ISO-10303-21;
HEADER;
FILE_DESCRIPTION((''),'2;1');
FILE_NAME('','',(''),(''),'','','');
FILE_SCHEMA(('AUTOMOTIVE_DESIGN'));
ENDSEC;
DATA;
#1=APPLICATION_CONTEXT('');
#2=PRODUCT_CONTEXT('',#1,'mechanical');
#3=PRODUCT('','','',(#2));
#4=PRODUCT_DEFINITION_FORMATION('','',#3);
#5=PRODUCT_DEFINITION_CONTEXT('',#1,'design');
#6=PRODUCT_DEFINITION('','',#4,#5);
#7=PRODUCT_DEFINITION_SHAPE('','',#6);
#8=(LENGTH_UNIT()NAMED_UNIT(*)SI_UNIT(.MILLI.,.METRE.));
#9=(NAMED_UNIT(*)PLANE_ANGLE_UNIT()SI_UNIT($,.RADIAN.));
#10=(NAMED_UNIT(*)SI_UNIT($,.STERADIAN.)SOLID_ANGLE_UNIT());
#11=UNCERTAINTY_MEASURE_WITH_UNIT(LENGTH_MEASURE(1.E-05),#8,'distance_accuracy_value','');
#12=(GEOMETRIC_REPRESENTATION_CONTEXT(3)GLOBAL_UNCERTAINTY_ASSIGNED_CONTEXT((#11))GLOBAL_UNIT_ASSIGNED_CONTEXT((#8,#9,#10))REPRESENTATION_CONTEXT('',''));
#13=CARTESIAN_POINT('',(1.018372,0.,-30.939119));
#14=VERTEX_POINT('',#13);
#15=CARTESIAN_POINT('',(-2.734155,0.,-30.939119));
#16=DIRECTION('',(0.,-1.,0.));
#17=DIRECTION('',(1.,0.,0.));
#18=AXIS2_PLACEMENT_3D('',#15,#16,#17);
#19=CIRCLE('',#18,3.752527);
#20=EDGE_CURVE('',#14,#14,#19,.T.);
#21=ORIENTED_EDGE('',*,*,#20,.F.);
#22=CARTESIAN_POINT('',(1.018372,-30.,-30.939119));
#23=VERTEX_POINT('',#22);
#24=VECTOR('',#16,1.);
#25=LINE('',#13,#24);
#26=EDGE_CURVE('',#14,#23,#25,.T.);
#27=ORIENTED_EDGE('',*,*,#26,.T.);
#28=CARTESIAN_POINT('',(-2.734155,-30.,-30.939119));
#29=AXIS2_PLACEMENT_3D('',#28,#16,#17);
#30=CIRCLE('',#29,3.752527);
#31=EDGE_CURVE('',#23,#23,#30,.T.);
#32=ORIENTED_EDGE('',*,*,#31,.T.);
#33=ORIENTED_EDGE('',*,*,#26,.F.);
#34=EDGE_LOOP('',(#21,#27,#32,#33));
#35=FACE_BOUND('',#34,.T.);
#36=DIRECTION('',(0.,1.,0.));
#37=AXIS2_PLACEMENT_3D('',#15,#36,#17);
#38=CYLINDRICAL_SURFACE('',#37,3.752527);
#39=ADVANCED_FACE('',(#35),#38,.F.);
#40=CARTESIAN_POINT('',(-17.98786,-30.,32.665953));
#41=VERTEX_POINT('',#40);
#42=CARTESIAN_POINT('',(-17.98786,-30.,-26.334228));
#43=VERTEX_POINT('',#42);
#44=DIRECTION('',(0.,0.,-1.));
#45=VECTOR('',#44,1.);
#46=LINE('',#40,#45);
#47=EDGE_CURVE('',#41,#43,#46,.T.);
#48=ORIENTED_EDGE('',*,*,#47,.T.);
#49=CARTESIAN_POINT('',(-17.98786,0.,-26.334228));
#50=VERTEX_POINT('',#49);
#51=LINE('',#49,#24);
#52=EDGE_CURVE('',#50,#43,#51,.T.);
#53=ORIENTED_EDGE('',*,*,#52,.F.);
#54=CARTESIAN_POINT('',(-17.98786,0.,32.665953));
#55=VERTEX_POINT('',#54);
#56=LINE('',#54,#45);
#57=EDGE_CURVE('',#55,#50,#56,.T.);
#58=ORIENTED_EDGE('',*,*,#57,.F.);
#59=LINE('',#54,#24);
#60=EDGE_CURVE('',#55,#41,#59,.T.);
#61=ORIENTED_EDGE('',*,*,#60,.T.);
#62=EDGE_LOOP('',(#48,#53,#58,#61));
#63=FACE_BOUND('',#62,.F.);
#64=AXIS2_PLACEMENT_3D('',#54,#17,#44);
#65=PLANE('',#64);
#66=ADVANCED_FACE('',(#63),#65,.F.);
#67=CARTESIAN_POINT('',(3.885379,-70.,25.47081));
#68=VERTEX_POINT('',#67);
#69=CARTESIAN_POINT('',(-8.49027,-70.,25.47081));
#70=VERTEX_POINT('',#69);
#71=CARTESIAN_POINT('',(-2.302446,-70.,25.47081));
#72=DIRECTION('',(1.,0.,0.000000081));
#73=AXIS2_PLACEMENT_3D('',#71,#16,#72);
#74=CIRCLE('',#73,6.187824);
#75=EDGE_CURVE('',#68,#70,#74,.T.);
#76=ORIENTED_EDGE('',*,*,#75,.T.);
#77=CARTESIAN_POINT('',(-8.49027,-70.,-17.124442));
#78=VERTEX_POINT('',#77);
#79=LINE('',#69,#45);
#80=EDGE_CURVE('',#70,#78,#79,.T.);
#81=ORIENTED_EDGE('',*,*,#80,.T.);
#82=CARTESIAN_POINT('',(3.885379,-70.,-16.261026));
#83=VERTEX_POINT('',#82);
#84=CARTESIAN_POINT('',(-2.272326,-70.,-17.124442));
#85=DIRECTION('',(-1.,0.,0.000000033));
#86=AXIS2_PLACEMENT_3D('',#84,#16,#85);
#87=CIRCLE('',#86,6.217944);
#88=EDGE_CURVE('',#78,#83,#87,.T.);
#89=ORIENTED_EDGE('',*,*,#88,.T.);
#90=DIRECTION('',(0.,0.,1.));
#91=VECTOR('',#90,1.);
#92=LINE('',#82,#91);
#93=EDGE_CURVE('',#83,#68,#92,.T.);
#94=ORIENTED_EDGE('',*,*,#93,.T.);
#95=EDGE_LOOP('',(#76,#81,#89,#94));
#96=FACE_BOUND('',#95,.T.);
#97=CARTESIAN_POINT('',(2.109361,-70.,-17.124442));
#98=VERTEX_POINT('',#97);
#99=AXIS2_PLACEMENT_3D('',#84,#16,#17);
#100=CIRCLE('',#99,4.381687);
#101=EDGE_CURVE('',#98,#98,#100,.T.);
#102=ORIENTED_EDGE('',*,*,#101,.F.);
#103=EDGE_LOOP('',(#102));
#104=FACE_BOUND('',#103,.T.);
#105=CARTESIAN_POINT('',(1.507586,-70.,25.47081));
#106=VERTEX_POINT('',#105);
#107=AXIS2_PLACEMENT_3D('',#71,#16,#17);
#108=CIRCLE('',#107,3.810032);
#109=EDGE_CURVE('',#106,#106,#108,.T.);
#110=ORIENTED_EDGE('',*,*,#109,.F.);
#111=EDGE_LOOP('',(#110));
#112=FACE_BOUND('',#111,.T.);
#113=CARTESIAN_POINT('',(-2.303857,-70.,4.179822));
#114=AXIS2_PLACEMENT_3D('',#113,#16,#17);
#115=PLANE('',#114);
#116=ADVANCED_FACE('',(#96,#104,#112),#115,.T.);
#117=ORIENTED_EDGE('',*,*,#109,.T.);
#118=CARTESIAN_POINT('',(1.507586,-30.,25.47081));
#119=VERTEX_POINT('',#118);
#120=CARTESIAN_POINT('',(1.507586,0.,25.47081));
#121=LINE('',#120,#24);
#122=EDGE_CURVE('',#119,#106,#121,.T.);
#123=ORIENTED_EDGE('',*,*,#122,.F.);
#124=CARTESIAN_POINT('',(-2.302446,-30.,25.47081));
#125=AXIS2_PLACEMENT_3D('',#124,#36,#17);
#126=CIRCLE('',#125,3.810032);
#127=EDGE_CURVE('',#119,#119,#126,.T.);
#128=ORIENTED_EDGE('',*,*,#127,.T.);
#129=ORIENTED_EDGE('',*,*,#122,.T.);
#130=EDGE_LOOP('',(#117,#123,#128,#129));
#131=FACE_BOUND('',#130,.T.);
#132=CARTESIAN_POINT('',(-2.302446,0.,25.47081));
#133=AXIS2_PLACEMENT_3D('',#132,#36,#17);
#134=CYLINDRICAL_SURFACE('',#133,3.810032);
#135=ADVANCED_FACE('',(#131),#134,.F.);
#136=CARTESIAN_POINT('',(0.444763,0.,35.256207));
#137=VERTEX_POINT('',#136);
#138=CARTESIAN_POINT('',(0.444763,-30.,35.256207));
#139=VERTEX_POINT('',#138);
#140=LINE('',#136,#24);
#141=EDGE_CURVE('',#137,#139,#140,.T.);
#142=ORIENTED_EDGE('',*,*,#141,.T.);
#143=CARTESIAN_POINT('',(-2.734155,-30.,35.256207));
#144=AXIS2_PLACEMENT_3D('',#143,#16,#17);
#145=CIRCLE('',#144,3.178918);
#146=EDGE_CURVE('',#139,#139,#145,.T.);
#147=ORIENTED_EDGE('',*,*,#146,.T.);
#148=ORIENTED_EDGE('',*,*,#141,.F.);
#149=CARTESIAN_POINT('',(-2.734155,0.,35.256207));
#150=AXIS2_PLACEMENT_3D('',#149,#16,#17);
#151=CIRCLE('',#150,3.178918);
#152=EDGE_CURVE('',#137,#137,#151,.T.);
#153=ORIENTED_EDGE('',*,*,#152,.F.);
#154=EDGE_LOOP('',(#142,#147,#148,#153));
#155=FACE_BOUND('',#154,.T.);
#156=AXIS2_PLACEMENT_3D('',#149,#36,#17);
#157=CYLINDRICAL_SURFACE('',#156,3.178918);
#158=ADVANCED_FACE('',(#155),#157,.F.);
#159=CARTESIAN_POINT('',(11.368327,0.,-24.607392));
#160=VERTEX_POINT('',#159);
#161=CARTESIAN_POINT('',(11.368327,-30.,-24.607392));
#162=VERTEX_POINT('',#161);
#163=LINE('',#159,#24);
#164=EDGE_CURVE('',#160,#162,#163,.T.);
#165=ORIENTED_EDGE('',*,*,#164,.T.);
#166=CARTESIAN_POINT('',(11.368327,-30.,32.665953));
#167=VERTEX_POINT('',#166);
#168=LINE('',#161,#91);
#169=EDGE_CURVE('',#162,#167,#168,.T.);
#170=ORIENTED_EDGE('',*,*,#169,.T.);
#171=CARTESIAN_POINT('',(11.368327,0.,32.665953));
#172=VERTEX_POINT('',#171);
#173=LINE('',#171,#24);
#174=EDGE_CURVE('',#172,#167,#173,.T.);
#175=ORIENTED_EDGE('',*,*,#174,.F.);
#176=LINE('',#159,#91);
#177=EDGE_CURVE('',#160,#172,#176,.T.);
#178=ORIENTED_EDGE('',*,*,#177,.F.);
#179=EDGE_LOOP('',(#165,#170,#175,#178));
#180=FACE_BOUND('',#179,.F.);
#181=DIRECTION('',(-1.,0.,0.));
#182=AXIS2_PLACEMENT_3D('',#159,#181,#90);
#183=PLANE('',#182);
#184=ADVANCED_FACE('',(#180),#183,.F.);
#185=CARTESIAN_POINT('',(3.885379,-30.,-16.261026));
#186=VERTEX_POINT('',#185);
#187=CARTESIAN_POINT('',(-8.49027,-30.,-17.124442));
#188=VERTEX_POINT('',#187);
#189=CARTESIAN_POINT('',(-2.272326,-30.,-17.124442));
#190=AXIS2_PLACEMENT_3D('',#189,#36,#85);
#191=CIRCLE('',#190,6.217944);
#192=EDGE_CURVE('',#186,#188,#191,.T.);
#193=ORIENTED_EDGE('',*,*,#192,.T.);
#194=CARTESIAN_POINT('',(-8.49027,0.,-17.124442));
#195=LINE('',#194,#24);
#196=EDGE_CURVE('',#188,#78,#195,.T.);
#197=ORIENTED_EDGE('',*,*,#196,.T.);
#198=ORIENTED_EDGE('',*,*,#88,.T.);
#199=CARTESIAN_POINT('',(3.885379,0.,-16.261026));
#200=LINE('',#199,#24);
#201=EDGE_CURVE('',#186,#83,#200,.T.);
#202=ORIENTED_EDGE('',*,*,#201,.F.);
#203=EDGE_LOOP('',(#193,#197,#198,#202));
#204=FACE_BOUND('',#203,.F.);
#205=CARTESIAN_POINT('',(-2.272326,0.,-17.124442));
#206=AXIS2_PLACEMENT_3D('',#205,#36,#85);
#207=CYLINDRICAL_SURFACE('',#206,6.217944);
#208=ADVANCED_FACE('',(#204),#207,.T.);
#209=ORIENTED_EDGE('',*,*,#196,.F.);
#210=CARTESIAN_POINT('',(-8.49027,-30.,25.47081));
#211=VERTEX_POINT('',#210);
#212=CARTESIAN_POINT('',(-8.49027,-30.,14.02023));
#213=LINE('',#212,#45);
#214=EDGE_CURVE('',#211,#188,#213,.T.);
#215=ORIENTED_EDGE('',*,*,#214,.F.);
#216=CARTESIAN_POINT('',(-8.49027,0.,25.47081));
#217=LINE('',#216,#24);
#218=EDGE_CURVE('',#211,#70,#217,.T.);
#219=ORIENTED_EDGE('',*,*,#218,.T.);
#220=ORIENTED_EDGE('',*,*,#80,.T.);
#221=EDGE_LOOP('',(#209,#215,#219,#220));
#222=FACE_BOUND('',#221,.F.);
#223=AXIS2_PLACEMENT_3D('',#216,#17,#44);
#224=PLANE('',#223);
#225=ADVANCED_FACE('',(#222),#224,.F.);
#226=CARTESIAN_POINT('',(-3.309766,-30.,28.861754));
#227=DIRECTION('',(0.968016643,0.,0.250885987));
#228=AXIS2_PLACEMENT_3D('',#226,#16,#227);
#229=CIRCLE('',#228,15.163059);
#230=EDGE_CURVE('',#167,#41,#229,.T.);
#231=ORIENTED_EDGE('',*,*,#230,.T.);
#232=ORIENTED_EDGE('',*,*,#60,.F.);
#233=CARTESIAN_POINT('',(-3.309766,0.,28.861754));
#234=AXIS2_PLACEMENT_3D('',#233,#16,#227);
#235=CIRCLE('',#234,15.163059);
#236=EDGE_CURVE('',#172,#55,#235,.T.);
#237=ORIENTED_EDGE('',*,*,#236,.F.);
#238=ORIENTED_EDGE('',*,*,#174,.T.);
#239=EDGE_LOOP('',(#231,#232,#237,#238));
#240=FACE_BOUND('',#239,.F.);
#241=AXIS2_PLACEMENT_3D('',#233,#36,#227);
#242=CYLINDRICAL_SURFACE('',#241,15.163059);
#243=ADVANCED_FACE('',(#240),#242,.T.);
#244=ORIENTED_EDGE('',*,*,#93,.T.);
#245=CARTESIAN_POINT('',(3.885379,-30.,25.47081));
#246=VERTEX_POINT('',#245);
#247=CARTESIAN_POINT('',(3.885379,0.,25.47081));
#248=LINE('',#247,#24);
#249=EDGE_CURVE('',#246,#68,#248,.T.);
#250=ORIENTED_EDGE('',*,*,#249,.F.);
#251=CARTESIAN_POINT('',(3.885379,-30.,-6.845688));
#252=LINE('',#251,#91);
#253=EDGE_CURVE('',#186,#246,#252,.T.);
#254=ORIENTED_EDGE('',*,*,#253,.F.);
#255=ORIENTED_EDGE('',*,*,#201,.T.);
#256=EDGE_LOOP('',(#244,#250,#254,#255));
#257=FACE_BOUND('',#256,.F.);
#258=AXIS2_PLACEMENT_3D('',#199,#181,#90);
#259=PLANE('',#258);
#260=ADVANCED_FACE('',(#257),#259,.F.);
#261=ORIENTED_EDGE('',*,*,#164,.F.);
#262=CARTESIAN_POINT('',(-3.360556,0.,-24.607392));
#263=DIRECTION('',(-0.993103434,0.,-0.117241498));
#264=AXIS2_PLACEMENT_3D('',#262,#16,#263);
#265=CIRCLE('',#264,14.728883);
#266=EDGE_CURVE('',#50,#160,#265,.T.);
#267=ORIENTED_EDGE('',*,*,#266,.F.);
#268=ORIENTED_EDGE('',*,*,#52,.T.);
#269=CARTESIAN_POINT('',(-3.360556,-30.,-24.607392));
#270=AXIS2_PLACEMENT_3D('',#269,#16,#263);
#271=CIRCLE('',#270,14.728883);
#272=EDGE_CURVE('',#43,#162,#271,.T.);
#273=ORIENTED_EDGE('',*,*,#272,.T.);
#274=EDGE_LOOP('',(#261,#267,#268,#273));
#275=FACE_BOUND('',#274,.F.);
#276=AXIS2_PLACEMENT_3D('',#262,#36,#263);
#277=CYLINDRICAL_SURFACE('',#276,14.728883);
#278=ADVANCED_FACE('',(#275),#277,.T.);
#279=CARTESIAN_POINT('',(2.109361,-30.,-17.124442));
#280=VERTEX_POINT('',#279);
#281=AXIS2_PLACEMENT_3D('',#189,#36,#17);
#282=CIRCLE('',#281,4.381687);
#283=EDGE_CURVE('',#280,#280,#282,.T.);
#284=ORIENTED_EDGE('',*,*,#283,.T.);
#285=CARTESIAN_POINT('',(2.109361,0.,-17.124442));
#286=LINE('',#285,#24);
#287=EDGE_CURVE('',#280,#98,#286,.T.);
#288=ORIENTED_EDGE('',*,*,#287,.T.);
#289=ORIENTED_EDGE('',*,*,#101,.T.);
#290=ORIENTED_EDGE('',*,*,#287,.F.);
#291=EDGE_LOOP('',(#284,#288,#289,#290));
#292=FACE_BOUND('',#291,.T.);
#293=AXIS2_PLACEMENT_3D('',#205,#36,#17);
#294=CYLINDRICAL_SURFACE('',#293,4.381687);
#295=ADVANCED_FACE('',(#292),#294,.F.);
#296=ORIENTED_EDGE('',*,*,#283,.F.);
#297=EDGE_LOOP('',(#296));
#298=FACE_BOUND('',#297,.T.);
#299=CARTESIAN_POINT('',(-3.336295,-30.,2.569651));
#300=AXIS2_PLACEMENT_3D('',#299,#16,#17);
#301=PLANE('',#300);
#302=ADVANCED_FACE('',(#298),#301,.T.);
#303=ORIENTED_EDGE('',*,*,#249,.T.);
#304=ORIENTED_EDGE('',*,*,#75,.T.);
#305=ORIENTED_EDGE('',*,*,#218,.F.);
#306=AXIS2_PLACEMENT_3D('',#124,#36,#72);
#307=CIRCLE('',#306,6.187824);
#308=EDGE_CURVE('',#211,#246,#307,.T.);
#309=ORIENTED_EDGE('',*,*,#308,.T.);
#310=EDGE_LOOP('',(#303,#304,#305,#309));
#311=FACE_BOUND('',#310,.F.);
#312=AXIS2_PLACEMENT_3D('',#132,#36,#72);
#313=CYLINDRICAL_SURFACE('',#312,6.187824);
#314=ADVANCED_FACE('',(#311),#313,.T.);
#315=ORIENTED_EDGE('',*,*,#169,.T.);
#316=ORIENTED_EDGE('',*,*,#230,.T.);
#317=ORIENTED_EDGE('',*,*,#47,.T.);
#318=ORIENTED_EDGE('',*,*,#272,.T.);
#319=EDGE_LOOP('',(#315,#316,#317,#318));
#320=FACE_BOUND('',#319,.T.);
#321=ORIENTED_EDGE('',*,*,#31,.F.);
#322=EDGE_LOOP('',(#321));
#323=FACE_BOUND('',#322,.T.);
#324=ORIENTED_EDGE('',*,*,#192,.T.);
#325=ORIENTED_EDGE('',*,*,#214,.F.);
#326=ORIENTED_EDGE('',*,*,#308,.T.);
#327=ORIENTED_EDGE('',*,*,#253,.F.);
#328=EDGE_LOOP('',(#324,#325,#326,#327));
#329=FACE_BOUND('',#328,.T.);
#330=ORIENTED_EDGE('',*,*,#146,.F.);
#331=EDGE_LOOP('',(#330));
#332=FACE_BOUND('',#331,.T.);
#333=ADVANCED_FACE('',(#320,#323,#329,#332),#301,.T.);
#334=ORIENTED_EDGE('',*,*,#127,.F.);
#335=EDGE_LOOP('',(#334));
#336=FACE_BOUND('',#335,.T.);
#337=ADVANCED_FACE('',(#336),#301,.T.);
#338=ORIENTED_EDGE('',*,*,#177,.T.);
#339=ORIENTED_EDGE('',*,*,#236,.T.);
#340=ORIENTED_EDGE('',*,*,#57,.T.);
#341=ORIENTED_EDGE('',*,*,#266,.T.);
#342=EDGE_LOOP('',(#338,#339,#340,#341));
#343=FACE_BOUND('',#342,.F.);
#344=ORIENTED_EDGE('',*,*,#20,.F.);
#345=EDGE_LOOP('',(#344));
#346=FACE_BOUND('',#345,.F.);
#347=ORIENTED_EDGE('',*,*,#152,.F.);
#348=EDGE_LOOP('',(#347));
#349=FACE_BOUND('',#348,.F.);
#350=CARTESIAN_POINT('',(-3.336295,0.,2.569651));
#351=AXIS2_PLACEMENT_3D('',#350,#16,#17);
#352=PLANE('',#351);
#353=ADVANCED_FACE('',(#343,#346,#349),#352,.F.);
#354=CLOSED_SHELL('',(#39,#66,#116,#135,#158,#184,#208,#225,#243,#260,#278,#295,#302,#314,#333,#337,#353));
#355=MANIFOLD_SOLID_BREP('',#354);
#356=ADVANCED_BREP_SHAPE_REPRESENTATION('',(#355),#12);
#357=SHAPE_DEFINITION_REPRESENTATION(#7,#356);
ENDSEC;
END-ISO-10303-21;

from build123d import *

# Parameters (mm, degrees)
F1_R     = 4.381687
F1_R_2   = 3.810032
F2_DEPTH = 70
F0_R     = 3.752527
F0_R_2   = 3.178918
F3_DEPTH = 30


with BuildPart() as f2:
    # F1 (on Front) → F2 (new body)
    with BuildSketch(Plane.XZ):
        with BuildLine():
            ThreePointArc((3.885379, 25.47081), (-2.302446, 31.658634), (-8.49027, 25.47081))
            Line((-8.49027, 25.47081), (-8.49027, -17.124442))
            ThreePointArc((-8.49027, -17.124442), (-1.839569, -23.327308), (3.885379, -16.261026))
            Line((3.885379, -16.261026), (3.885379, 25.47081))
        make_face()
        with Locations((-2.272326, -17.124442)):
            Circle(F1_R, mode=Mode.SUBTRACT)
        with Locations((-2.302446, 25.47081)):
            Circle(F1_R_2, mode=Mode.SUBTRACT)
    extrude(amount=F2_DEPTH)

    # F0 (on Front) → F3 (join)
    with BuildSketch(Plane.XZ):
        with BuildLine():
            ThreePointArc((11.368327, 32.665953), (-3.309767, 44.024813), (-17.98786, 32.665953))
            Line((-17.98786, 32.665953), (-17.98786, -26.334228))
            ThreePointArc((-17.98786, -26.334228), (-2.495646, -39.310858), (11.368327, -24.607392))
            Line((11.368327, -24.607392), (11.368327, 32.665953))
        make_face()
        with Locations((-2.734155, -30.939119)):
            Circle(F0_R, mode=Mode.SUBTRACT)
        with Locations((-2.734155, 35.256207)):
            Circle(F0_R_2, mode=Mode.SUBTRACT)
    extrude(amount=F3_DEPTH)


solid = f2.part
